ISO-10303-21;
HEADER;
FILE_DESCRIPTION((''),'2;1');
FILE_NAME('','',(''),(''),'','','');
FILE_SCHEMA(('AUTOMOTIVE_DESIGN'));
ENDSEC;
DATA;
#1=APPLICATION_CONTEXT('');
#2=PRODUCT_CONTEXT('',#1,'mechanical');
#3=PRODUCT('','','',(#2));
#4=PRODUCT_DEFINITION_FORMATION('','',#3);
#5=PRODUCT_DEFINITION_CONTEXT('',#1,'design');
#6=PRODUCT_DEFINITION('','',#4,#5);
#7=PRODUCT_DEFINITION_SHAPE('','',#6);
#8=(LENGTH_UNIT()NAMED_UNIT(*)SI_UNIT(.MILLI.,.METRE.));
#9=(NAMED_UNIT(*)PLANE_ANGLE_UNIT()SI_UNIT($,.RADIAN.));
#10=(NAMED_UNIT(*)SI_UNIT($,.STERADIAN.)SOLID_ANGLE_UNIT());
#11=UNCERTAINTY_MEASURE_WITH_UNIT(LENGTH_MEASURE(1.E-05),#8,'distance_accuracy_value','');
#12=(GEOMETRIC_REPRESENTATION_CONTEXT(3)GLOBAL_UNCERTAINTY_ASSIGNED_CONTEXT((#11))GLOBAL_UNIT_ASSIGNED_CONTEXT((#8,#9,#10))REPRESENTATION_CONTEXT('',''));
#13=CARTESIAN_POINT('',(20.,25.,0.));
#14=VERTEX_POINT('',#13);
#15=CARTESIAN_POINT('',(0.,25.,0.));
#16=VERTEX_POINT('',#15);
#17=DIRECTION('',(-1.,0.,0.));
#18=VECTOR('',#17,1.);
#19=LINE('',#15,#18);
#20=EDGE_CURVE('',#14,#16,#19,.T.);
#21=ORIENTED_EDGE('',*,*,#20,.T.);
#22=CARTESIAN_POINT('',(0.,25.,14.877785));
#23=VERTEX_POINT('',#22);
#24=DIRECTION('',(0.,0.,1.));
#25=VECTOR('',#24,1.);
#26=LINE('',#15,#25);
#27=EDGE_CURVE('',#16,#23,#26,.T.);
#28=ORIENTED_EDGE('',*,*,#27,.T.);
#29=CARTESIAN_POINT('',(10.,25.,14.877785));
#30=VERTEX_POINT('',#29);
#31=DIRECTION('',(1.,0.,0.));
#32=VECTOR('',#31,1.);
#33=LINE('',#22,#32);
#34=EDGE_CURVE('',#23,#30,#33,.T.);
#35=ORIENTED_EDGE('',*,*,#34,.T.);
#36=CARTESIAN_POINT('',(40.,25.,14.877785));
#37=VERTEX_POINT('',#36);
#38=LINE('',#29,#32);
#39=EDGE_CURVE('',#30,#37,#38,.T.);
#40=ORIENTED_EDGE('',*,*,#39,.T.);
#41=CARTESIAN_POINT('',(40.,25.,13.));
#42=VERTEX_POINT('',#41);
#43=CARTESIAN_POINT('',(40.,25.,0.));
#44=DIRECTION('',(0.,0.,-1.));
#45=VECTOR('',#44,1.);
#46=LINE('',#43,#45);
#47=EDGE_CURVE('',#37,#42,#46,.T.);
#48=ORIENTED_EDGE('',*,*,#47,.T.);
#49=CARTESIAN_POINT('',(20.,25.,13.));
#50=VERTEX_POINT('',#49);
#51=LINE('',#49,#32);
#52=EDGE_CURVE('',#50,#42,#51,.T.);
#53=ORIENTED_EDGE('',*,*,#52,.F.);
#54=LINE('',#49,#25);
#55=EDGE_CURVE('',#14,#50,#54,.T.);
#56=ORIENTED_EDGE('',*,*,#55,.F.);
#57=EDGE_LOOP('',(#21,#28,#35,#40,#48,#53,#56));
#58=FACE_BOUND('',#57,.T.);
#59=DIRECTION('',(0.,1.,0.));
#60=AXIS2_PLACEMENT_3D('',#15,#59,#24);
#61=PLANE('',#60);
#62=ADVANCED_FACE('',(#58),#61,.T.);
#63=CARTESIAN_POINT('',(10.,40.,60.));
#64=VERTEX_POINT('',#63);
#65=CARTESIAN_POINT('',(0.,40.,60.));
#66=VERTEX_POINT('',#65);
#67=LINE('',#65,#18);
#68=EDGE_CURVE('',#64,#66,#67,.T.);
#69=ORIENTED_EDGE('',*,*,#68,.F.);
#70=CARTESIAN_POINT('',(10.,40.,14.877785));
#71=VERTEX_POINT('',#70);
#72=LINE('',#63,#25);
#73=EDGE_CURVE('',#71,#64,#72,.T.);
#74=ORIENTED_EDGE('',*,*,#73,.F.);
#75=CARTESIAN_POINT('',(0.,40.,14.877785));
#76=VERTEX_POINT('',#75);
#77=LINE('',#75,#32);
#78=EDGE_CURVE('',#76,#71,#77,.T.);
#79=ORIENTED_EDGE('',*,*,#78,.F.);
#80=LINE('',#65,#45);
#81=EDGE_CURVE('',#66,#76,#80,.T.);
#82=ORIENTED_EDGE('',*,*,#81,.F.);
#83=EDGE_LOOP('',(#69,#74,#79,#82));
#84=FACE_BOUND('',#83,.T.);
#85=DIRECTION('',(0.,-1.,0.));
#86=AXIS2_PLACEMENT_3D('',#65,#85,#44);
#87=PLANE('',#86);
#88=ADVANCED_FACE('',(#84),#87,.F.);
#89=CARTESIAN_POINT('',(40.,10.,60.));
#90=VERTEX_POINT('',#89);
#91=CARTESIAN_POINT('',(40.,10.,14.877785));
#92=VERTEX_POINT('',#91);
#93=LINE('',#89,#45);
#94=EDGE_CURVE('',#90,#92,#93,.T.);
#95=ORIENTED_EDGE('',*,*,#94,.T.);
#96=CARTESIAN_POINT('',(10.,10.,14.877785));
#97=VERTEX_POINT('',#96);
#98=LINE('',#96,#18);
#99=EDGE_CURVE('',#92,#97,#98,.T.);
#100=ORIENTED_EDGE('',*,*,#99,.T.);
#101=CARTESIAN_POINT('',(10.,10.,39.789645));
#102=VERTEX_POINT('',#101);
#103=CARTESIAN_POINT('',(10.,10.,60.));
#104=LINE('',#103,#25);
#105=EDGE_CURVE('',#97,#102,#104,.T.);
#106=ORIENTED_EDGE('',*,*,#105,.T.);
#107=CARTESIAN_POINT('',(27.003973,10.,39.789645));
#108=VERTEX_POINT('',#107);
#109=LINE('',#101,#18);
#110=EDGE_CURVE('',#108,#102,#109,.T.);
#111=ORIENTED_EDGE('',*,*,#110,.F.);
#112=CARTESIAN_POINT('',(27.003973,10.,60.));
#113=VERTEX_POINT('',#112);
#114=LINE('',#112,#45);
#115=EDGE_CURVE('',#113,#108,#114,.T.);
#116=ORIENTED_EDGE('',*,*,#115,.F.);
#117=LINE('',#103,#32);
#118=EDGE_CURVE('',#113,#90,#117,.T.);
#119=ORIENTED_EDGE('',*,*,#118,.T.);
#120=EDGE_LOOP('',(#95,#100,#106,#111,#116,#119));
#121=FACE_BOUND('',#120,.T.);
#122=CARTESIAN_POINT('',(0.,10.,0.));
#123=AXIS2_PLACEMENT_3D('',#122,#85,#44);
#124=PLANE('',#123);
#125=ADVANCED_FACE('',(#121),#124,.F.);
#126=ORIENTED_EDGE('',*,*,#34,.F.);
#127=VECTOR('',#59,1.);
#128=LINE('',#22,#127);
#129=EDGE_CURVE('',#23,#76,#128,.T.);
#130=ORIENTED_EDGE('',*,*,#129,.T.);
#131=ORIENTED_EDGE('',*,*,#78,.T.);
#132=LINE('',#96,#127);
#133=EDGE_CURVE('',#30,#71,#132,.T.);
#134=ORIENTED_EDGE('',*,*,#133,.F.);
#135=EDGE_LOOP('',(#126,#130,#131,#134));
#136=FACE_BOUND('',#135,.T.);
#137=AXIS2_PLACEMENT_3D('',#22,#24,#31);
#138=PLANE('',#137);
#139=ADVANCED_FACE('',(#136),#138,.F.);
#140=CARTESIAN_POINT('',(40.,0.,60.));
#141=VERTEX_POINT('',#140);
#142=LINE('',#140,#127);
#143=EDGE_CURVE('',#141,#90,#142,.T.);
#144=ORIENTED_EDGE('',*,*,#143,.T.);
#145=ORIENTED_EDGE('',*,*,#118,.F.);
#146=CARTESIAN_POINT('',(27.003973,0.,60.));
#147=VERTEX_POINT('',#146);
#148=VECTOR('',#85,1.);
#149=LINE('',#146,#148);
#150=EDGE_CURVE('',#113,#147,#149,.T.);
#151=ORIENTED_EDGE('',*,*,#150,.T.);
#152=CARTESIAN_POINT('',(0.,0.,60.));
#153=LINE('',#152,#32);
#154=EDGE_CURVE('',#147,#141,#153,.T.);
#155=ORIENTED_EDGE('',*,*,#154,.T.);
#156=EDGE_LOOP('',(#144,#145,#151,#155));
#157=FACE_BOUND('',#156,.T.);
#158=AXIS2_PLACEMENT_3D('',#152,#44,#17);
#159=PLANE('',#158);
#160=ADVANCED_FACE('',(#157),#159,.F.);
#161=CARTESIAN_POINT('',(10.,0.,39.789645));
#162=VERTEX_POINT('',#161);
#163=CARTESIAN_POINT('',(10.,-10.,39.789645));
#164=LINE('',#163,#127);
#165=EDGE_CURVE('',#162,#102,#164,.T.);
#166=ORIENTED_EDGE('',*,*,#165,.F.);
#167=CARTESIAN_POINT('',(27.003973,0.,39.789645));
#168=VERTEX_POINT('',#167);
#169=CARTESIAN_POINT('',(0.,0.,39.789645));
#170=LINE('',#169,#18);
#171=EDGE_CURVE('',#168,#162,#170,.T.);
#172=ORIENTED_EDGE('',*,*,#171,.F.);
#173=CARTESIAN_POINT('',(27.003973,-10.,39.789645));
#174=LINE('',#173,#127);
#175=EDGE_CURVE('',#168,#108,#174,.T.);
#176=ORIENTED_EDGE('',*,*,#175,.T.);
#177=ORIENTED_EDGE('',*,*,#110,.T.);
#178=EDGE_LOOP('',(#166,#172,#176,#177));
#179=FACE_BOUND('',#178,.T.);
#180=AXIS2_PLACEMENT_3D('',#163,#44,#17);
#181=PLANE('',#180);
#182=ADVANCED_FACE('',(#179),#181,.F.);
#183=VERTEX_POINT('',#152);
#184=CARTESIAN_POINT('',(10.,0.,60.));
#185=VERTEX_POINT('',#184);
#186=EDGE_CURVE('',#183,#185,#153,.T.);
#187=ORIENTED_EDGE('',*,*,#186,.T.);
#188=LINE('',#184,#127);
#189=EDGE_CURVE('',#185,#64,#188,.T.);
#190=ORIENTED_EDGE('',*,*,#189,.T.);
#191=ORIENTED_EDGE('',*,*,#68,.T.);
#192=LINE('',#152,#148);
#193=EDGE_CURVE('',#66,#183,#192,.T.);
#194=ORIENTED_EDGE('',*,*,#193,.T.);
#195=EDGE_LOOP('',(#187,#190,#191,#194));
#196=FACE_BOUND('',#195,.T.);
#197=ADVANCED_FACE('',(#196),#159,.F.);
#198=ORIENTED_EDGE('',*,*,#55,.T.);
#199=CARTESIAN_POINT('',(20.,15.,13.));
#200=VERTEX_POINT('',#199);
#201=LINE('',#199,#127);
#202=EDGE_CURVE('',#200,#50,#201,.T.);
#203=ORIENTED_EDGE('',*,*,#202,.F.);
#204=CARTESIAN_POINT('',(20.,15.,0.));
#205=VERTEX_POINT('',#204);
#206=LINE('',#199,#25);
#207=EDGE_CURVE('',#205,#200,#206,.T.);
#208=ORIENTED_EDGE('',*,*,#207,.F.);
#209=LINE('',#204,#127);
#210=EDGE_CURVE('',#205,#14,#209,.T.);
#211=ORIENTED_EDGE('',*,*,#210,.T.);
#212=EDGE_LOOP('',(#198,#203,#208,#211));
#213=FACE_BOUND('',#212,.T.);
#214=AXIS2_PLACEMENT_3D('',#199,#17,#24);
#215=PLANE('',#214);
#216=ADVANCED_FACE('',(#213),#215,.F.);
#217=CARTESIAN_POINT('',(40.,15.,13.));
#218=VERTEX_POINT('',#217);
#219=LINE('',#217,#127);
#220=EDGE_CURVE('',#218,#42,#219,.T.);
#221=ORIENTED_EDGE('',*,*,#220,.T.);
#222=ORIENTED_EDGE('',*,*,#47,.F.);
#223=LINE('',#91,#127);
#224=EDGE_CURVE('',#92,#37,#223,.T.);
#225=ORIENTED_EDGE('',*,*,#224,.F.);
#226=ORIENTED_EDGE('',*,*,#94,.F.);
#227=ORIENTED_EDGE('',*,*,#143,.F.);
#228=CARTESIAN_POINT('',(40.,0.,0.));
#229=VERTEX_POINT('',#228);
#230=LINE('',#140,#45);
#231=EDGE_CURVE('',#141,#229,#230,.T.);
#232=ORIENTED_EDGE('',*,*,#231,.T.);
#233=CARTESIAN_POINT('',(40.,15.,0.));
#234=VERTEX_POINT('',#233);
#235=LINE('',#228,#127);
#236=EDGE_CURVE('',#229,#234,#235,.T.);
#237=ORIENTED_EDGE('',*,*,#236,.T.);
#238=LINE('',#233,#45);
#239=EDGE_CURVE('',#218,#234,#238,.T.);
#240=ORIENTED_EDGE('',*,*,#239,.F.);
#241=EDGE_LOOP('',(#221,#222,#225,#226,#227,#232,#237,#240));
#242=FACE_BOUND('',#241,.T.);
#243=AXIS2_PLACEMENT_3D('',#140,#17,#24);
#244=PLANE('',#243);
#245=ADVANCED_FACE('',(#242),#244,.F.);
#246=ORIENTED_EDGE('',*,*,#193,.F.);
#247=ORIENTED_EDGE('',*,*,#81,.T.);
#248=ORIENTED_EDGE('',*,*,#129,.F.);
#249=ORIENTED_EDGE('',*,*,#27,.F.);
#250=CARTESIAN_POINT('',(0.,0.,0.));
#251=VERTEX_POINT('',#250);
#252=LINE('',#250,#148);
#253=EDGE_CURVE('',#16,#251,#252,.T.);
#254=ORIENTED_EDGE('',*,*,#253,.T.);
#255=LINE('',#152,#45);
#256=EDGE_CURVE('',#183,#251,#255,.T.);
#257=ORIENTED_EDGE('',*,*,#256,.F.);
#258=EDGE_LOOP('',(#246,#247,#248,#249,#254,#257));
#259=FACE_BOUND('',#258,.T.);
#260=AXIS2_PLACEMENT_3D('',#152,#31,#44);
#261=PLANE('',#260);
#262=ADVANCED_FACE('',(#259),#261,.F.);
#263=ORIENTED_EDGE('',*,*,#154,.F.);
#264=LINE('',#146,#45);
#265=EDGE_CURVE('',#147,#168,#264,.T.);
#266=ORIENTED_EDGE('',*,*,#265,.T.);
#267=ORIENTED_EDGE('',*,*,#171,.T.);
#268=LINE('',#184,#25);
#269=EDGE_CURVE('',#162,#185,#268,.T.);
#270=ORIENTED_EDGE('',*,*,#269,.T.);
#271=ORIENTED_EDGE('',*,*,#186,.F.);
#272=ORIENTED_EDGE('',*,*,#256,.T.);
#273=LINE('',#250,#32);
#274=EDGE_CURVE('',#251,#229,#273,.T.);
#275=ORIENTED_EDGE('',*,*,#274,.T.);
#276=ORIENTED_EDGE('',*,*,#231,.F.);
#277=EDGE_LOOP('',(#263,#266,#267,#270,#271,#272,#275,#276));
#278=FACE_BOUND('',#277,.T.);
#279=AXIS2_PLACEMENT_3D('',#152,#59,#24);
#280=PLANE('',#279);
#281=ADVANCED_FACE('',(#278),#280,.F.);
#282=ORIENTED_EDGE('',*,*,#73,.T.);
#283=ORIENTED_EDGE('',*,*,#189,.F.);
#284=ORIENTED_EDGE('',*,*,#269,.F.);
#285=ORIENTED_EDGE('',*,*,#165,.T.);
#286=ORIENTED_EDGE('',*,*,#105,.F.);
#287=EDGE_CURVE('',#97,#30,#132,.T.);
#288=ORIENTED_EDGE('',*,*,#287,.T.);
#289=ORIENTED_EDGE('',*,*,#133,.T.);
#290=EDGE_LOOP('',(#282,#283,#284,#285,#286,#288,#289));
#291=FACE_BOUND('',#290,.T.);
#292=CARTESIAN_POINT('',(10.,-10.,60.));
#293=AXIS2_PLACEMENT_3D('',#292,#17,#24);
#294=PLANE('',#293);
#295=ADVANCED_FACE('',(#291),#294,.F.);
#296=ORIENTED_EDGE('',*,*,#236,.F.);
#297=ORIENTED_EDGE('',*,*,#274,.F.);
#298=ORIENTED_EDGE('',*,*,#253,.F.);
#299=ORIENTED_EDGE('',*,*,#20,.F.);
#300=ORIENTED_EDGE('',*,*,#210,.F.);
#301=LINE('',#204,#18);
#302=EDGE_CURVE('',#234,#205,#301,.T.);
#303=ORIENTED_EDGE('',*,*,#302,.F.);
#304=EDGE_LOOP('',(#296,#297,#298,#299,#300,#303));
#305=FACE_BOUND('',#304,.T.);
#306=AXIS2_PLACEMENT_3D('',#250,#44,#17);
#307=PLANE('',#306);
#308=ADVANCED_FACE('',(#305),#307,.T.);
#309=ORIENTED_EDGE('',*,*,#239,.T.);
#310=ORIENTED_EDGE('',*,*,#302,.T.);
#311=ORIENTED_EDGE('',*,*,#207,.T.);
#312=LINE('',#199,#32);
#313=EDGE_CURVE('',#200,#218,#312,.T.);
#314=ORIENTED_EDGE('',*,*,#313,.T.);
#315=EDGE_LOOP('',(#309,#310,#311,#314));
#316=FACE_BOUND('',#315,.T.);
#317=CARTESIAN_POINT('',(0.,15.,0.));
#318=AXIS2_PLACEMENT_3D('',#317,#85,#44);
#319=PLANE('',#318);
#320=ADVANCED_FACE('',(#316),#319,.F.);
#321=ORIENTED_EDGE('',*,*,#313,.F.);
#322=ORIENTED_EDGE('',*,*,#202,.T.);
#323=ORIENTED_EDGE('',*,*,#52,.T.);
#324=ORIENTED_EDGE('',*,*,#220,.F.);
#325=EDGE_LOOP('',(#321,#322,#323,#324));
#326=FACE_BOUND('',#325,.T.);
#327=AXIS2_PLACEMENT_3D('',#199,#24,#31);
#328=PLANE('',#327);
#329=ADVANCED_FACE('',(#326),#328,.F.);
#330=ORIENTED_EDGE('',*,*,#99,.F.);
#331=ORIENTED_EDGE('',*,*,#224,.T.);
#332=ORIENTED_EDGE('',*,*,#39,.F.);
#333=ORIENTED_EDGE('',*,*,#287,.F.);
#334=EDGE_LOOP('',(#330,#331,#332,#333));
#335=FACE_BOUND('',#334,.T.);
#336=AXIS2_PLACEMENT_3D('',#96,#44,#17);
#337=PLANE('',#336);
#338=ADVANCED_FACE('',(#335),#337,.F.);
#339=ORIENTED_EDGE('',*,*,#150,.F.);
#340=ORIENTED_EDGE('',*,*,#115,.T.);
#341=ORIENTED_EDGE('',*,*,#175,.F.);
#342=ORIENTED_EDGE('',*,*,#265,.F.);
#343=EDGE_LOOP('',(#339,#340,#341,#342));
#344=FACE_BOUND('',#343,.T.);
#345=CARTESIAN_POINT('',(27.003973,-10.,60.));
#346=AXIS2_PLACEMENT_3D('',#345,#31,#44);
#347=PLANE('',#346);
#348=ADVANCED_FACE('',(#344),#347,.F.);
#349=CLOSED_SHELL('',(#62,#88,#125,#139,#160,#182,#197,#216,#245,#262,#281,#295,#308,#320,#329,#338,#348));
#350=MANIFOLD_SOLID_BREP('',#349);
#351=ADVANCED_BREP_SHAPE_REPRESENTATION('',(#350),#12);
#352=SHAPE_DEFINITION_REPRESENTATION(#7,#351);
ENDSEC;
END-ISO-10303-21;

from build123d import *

# Parameters (mm, degrees)
SKETCH1_W           = 40
SKETCH1_H           = 40
BOSS_EXTRUDE1_DEPTH = 60
SKETCH2_W           = 17.003973312
SKETCH2_H           = 20.210355484
CUT_EXTRUDE1_DEPTH  = 50
SKETCH3_W           = 30
SKETCH3_H           = 45.122215106
CUT_EXTRUDE2_DEPTH  = 30
SKETCH4_W           = 40
SKETCH4_H           = 14.877784894
CUT_EXTRUDE3_DEPTH  = 15
SKETCH5_W           = 20
SKETCH5_H           = 13
CUT_EXTRUDE4_DEPTH  = 10


with BuildPart() as part:
    # Sketch1 → Boss-Extrude1 (new body)
    with BuildSketch(Plane.XY):
        with Locations((20, 20)):
            Rectangle(SKETCH1_W, SKETCH1_H)
    extrude(amount=BOSS_EXTRUDE1_DEPTH)

    # Sketch2 → Cut-Extrude1 (cut)
    with BuildSketch(Plane(origin=(0, 40, 0), x_dir=(1, 0, 0), z_dir=(0, 1, 0))):
        with Locations((18.501986656, -49.894822258)):
            Rectangle(SKETCH2_W, SKETCH2_H)
    extrude(amount=-CUT_EXTRUDE1_DEPTH, mode=Mode.SUBTRACT)

    # Sketch3 → Cut-Extrude2 (cut)
    with BuildSketch(Plane(origin=(0, 40, 0), x_dir=(1, 0, 0), z_dir=(0, 1, 0))):
        with Locations((25, -37.438892447)):
            Rectangle(SKETCH3_W, SKETCH3_H)
    extrude(amount=-CUT_EXTRUDE2_DEPTH, mode=Mode.SUBTRACT)

    # Sketch4 → Cut-Extrude3 (cut)
    with BuildSketch(Plane(origin=(0, 40, 0), x_dir=(1, 0, 0), z_dir=(0, 1, 0))):
        with Locations((20, -7.438892447)):
            Rectangle(SKETCH4_W, SKETCH4_H)
    extrude(amount=-CUT_EXTRUDE3_DEPTH, mode=Mode.SUBTRACT)

    # Sketch5 → Cut-Extrude4 (cut)
    with BuildSketch(Plane(origin=(0, 25, 0), x_dir=(1, 0, 0), z_dir=(0, 1, 0))):
        with Locations((30, -6.5)):
            Rectangle(SKETCH5_W, SKETCH5_H)
    extrude(amount=-CUT_EXTRUDE4_DEPTH, mode=Mode.SUBTRACT)


solid = part.part
